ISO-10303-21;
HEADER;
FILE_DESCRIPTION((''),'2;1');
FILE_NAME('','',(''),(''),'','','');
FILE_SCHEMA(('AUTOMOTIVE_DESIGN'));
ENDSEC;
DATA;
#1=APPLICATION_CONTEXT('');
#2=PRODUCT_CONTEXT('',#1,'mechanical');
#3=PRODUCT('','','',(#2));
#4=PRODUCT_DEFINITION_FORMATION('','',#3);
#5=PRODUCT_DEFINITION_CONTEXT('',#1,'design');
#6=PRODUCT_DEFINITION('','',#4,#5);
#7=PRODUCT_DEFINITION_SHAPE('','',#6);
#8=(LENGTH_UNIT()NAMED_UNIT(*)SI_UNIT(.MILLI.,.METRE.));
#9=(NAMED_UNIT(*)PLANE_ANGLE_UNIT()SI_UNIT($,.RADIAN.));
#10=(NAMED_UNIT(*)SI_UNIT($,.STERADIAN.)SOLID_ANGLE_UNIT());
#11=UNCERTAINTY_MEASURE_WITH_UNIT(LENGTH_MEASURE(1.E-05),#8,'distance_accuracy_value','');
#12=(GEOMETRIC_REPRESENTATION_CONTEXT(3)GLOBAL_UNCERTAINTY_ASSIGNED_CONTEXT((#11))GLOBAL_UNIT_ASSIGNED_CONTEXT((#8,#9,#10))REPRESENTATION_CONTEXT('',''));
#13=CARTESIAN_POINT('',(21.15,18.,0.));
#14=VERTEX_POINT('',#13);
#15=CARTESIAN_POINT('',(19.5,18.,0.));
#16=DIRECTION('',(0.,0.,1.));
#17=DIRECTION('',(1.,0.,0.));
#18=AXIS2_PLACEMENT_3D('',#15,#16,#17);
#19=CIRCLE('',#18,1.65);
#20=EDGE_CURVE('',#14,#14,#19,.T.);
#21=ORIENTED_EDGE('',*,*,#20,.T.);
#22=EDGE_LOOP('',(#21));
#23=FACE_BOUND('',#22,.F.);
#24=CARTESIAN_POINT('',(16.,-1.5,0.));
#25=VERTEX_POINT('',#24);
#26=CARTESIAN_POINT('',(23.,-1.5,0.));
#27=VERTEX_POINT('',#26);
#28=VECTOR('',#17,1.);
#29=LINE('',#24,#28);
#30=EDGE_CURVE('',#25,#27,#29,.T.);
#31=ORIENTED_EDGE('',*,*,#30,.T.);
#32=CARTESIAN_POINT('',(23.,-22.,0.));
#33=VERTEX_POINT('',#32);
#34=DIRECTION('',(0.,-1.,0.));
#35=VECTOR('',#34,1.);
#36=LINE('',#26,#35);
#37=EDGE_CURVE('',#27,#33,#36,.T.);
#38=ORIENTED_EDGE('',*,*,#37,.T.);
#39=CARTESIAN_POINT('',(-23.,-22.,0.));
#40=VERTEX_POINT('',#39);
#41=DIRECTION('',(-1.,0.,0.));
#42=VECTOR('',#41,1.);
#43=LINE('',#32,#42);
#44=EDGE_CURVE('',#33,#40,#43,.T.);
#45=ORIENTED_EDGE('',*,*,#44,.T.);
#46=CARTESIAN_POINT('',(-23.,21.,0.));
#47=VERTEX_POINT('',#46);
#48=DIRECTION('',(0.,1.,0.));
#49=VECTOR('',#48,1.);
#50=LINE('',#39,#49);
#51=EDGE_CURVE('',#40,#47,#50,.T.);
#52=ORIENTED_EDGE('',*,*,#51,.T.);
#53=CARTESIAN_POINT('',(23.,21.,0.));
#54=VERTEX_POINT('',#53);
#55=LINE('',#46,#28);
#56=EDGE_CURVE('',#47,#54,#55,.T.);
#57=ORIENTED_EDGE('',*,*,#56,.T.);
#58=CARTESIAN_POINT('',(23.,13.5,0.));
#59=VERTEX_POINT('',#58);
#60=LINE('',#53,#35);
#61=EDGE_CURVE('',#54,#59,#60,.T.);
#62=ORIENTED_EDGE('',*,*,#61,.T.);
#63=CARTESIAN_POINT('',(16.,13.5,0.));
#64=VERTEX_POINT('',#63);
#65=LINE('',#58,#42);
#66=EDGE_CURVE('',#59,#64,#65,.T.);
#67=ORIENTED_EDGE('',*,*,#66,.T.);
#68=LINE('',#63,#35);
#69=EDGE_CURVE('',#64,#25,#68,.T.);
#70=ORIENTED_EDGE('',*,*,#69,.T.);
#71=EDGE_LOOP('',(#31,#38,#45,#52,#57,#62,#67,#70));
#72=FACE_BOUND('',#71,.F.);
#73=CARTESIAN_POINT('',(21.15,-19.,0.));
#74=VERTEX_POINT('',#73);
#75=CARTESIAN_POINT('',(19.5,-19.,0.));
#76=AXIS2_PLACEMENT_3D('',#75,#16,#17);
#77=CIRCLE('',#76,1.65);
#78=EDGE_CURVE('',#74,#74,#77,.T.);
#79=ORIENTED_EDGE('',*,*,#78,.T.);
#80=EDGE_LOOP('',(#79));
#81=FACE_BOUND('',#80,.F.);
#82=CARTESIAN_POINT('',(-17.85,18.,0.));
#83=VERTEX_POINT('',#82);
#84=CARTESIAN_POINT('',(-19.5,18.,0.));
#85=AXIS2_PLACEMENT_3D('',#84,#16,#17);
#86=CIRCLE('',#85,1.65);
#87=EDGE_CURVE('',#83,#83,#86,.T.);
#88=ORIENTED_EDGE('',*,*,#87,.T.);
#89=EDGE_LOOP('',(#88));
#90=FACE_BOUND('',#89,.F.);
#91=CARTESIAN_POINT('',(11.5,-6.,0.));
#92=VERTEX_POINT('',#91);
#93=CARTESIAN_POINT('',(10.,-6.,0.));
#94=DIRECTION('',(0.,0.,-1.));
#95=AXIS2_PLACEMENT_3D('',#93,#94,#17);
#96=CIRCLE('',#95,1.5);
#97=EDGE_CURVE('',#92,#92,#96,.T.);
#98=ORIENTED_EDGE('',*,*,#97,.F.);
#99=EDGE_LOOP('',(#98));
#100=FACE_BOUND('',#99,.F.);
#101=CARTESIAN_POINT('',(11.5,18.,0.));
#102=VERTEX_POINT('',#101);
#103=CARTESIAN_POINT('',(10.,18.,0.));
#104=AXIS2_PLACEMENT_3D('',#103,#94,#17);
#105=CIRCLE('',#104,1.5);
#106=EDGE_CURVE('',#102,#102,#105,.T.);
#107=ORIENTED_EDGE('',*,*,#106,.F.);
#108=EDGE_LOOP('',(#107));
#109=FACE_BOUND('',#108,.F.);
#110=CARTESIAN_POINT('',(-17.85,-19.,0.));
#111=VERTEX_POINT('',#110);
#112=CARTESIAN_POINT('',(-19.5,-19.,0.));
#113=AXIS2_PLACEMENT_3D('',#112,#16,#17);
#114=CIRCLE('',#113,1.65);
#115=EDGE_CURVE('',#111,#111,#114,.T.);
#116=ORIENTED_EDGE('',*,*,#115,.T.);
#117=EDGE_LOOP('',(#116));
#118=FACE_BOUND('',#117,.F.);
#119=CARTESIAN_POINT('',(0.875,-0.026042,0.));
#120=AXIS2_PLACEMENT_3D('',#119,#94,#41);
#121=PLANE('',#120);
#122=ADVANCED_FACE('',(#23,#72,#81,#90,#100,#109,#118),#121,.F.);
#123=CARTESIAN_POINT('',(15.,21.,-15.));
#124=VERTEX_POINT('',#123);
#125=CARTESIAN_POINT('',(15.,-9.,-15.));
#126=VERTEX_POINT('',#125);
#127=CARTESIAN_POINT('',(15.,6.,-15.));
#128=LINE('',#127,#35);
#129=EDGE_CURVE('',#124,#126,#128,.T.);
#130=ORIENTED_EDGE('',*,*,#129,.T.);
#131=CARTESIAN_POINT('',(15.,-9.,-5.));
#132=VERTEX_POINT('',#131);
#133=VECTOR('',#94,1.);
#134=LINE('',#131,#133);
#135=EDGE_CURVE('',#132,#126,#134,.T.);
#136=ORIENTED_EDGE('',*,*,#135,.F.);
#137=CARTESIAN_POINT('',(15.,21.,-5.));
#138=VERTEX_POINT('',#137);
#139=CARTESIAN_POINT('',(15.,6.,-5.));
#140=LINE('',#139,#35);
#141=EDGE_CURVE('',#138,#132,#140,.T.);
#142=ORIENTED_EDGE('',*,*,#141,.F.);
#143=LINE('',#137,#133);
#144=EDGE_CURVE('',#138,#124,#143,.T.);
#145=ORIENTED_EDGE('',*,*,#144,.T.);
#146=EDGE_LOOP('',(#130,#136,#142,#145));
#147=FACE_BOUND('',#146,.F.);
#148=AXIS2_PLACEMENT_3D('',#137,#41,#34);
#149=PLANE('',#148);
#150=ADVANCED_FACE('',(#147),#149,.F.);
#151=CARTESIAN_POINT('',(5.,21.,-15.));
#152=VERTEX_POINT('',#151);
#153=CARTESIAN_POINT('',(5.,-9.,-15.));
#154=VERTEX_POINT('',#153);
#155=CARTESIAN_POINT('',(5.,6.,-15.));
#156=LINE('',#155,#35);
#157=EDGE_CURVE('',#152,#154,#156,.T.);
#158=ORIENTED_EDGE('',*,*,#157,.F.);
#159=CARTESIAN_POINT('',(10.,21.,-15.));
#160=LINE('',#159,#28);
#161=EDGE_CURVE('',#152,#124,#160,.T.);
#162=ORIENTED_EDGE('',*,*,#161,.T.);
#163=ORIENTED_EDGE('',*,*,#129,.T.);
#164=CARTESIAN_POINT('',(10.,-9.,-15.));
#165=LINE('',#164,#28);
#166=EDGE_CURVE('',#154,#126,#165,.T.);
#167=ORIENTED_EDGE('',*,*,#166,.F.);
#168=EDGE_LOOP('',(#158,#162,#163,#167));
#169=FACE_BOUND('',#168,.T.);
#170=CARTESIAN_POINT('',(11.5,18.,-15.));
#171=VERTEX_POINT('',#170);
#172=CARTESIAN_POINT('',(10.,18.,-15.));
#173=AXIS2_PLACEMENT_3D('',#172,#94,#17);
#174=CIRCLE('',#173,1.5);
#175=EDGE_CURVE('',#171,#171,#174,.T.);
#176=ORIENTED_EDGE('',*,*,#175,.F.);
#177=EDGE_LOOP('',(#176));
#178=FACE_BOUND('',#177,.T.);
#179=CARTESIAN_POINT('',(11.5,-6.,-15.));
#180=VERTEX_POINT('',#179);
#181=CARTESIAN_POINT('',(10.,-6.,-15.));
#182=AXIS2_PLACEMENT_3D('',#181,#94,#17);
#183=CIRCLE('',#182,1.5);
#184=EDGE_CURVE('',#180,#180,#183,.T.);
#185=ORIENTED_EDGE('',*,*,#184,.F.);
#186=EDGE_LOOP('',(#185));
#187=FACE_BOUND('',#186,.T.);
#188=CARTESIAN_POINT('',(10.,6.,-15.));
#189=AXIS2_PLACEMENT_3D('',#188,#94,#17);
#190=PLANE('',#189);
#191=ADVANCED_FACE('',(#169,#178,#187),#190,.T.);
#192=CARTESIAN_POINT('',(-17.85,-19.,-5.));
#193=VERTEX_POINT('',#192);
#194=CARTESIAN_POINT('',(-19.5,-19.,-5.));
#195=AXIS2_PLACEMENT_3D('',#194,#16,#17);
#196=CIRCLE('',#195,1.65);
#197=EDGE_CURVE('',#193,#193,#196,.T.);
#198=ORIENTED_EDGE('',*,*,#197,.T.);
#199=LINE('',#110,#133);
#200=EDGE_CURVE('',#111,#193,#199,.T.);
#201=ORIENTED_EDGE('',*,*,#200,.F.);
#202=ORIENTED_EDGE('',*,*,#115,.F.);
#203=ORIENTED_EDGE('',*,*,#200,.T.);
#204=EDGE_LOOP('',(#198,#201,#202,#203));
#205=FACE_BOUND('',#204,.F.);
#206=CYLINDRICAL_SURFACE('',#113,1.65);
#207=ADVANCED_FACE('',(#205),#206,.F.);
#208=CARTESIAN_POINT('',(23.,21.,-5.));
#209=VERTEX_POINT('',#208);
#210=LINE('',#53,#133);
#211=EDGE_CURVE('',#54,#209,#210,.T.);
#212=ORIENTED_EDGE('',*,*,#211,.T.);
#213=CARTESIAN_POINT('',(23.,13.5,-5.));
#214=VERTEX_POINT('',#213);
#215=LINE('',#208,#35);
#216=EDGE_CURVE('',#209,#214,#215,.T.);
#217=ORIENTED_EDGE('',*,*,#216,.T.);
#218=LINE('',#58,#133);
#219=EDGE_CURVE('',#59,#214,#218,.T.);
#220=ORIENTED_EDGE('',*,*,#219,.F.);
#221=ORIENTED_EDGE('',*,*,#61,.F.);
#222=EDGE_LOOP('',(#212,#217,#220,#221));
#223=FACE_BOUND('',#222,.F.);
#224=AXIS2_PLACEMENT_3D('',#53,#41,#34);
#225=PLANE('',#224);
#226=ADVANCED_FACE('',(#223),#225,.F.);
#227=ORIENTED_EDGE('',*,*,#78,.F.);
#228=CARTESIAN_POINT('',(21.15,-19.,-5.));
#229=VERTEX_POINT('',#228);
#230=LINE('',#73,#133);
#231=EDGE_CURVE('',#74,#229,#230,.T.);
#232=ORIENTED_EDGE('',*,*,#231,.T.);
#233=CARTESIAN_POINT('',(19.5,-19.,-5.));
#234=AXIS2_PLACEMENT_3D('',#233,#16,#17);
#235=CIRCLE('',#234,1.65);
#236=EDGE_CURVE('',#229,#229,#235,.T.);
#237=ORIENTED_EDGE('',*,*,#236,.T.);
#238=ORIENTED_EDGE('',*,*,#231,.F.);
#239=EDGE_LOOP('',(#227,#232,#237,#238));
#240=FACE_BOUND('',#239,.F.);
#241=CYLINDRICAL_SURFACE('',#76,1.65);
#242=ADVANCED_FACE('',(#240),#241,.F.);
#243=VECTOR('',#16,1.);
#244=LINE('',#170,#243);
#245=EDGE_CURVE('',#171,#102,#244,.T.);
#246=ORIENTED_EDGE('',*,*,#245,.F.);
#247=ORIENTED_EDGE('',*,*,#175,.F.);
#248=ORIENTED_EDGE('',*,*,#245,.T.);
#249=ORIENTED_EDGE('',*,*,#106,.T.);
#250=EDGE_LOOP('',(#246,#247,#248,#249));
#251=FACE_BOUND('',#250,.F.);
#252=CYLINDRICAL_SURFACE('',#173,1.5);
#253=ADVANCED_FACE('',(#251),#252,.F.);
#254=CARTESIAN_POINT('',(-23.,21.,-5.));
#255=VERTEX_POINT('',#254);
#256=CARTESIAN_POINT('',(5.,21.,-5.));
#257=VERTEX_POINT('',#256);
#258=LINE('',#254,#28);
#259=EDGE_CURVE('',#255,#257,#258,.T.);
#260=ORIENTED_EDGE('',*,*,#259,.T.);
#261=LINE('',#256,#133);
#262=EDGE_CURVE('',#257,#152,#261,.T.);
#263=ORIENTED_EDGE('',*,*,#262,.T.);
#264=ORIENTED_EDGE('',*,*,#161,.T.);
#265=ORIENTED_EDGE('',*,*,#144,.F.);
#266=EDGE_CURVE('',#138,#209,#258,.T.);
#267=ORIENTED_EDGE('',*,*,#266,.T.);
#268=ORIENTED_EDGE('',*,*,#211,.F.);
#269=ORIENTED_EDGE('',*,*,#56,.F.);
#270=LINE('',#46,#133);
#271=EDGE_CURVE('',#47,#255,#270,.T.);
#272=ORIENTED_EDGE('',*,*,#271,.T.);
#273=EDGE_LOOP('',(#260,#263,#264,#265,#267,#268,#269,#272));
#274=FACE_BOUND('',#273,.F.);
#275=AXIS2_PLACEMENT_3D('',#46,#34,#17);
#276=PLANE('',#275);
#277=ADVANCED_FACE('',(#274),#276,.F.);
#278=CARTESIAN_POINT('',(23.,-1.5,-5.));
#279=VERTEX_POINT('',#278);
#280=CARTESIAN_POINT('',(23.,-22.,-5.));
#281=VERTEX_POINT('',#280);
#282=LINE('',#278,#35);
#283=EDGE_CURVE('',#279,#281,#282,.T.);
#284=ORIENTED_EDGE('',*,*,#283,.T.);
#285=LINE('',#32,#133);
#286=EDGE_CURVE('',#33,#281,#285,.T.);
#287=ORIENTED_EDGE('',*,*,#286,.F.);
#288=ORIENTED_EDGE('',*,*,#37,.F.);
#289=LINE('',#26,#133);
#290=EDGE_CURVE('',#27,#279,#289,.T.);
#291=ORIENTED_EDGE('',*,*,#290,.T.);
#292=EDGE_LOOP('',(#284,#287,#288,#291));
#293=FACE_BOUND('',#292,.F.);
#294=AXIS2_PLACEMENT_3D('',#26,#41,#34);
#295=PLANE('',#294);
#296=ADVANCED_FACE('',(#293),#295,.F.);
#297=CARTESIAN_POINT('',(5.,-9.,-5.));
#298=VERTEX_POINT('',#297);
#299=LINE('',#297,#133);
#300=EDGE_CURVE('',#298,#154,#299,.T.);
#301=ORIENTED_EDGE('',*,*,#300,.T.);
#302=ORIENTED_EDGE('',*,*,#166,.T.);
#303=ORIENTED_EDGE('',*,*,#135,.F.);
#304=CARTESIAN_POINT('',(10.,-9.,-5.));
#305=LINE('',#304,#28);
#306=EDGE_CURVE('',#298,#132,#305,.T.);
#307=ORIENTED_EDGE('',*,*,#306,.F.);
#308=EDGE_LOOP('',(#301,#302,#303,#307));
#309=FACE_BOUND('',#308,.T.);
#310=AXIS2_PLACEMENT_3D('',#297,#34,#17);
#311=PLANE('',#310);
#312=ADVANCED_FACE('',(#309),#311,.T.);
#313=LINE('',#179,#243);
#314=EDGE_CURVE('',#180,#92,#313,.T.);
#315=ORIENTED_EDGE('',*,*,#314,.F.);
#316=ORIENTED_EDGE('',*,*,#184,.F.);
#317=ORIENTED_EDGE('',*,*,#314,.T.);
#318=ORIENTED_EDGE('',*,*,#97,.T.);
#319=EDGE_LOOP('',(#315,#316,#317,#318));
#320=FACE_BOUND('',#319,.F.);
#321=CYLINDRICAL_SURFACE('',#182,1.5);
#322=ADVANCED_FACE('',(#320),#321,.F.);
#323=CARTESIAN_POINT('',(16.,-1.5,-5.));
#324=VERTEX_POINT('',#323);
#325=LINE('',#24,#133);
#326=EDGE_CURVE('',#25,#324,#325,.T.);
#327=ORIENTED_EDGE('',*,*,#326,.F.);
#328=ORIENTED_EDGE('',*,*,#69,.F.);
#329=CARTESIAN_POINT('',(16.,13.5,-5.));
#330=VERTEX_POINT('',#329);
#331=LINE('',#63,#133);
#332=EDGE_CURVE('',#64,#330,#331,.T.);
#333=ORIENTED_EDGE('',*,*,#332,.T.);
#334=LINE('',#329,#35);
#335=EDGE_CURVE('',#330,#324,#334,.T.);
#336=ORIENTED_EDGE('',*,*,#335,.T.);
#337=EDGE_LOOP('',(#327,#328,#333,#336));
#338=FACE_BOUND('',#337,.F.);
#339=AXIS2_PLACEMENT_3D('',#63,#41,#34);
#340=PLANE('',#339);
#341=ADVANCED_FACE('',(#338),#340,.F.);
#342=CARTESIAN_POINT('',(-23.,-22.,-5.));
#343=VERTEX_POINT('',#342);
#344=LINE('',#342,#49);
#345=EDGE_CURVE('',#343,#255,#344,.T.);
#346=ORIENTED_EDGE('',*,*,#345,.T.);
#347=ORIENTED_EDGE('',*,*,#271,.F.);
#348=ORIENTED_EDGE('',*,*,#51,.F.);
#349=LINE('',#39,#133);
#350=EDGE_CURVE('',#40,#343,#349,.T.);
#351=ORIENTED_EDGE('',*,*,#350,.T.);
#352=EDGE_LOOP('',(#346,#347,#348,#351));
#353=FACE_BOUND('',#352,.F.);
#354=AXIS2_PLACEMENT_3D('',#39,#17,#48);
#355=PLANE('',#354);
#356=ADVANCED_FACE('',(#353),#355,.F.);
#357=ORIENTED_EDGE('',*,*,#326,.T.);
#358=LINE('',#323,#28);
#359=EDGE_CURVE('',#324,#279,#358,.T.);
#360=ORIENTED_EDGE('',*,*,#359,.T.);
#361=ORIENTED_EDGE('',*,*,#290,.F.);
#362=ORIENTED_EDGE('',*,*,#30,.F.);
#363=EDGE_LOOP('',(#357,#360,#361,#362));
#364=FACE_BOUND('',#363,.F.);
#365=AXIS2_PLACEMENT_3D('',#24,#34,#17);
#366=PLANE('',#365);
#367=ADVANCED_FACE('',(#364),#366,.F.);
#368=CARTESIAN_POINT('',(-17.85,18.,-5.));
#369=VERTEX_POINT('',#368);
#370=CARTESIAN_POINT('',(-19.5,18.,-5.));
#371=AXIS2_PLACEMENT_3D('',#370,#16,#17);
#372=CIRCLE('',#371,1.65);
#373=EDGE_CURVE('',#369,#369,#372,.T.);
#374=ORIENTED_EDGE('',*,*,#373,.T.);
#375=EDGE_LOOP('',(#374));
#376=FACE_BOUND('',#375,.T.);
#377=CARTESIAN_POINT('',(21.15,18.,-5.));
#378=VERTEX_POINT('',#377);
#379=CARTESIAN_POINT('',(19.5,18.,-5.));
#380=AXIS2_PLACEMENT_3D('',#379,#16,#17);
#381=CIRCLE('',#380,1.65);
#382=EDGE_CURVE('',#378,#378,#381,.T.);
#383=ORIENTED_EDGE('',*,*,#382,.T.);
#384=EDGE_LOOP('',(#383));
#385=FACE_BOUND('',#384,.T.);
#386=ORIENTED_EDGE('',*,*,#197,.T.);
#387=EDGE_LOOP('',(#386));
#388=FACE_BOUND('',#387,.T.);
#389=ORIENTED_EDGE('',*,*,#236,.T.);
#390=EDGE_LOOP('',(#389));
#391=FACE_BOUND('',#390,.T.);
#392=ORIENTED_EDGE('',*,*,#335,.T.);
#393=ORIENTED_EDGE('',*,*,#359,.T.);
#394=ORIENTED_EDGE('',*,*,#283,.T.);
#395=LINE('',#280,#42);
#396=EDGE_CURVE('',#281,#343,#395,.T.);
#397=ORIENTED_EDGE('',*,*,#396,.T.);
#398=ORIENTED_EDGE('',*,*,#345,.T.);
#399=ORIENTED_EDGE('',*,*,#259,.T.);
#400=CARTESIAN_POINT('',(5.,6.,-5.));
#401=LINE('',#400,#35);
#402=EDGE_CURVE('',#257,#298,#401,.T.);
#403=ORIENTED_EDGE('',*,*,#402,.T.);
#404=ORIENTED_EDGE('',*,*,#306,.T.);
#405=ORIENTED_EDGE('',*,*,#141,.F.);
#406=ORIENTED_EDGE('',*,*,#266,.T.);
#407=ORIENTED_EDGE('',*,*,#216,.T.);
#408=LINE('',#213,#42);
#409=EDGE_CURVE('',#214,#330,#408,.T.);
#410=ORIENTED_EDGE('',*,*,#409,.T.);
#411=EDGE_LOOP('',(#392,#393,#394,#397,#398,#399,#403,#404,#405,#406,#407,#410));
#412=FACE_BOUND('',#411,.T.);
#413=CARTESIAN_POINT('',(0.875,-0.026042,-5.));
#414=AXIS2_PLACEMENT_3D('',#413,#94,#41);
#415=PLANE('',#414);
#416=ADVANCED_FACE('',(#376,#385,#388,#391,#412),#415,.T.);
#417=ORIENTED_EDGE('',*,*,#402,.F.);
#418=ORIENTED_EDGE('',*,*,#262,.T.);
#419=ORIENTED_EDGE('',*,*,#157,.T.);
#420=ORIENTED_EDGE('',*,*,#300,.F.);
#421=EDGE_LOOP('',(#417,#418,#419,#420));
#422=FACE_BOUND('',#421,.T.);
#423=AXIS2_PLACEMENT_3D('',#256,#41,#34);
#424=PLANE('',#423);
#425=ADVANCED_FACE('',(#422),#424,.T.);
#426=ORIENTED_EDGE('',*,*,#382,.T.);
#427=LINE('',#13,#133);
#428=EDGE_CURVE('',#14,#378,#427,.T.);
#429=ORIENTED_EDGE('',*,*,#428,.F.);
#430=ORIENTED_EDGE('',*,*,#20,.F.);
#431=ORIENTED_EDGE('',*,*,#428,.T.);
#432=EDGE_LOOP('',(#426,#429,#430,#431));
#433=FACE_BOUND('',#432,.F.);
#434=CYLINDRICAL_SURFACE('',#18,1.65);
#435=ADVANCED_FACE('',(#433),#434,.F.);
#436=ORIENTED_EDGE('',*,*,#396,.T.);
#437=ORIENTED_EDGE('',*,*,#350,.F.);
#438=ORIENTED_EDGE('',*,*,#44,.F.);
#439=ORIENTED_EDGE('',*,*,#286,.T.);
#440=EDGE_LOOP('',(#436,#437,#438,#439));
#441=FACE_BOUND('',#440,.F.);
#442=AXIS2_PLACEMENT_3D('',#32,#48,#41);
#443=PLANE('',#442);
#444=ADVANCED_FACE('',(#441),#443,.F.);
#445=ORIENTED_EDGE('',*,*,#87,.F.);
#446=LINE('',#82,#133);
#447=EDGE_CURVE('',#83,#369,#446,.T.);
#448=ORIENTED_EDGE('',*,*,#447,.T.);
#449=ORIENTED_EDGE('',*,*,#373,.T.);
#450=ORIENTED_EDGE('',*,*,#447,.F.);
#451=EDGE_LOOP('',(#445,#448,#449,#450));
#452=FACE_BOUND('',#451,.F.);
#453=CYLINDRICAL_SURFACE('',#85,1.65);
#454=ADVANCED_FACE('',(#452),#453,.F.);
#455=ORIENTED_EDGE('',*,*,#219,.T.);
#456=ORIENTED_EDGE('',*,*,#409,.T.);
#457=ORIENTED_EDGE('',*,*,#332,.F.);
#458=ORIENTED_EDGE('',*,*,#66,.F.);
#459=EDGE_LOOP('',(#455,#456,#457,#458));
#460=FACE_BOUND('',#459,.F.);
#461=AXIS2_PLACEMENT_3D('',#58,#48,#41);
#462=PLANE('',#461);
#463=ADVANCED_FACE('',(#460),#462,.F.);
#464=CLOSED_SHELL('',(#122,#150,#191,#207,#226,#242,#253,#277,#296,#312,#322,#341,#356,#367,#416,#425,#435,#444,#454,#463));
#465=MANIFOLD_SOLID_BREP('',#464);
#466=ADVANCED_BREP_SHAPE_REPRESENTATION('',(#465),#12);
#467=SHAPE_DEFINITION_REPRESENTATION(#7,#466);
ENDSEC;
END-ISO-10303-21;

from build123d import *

# Parameters (mm, degrees)
SKETCH_R     = 1.65
PAD_DEPTH    = 5
SKETCH001_W  = 10
SKETCH001_H  = 30
PAD001_DEPTH = 10
SKETCH002_R  = 1.5
POCKET_DEPTH = 15


with BuildPart() as part:
    # Sketch → Pad (new body)
    with BuildSketch(Plane.XY):
        Polygon((-23, 21), (23, 21), (23, 13.5), (16, 13.5), (16, -1.5), (23, -1.5), (23, -22), (-23, -22), align=None)
        with Locations((-19.5, 18)):
            Circle(SKETCH_R, mode=Mode.SUBTRACT)
        with Locations((19.5, 18)):
            Circle(SKETCH_R, mode=Mode.SUBTRACT)
        with Locations((-19.5, -19)):
            Circle(SKETCH_R, mode=Mode.SUBTRACT)
        with Locations((19.5, -19)):
            Circle(SKETCH_R, mode=Mode.SUBTRACT)
    extrude(amount=-PAD_DEPTH)

    # Sketch001 (on Face14 of Pad) → Pad001 (join)
    with BuildSketch(Plane(origin=(0, 0, -5), x_dir=(1, 0, 0), z_dir=(0, 0, -1))):
        with Locations((10, -6)):
            Rectangle(SKETCH001_W, SKETCH001_H)
    extrude(amount=PAD001_DEPTH)

    # Sketch002 (on Face17 of Pad001) → Pocket (cut)
    with BuildSketch(Plane(origin=(0, 0, -15), x_dir=(1, 0, 0), z_dir=(0, 0, -1))):
        with Locations((10, 6)):
            Circle(SKETCH002_R)
        with Locations((10, -18)):
            Circle(SKETCH002_R)
    extrude(amount=-POCKET_DEPTH, mode=Mode.SUBTRACT)


solid = part.part
